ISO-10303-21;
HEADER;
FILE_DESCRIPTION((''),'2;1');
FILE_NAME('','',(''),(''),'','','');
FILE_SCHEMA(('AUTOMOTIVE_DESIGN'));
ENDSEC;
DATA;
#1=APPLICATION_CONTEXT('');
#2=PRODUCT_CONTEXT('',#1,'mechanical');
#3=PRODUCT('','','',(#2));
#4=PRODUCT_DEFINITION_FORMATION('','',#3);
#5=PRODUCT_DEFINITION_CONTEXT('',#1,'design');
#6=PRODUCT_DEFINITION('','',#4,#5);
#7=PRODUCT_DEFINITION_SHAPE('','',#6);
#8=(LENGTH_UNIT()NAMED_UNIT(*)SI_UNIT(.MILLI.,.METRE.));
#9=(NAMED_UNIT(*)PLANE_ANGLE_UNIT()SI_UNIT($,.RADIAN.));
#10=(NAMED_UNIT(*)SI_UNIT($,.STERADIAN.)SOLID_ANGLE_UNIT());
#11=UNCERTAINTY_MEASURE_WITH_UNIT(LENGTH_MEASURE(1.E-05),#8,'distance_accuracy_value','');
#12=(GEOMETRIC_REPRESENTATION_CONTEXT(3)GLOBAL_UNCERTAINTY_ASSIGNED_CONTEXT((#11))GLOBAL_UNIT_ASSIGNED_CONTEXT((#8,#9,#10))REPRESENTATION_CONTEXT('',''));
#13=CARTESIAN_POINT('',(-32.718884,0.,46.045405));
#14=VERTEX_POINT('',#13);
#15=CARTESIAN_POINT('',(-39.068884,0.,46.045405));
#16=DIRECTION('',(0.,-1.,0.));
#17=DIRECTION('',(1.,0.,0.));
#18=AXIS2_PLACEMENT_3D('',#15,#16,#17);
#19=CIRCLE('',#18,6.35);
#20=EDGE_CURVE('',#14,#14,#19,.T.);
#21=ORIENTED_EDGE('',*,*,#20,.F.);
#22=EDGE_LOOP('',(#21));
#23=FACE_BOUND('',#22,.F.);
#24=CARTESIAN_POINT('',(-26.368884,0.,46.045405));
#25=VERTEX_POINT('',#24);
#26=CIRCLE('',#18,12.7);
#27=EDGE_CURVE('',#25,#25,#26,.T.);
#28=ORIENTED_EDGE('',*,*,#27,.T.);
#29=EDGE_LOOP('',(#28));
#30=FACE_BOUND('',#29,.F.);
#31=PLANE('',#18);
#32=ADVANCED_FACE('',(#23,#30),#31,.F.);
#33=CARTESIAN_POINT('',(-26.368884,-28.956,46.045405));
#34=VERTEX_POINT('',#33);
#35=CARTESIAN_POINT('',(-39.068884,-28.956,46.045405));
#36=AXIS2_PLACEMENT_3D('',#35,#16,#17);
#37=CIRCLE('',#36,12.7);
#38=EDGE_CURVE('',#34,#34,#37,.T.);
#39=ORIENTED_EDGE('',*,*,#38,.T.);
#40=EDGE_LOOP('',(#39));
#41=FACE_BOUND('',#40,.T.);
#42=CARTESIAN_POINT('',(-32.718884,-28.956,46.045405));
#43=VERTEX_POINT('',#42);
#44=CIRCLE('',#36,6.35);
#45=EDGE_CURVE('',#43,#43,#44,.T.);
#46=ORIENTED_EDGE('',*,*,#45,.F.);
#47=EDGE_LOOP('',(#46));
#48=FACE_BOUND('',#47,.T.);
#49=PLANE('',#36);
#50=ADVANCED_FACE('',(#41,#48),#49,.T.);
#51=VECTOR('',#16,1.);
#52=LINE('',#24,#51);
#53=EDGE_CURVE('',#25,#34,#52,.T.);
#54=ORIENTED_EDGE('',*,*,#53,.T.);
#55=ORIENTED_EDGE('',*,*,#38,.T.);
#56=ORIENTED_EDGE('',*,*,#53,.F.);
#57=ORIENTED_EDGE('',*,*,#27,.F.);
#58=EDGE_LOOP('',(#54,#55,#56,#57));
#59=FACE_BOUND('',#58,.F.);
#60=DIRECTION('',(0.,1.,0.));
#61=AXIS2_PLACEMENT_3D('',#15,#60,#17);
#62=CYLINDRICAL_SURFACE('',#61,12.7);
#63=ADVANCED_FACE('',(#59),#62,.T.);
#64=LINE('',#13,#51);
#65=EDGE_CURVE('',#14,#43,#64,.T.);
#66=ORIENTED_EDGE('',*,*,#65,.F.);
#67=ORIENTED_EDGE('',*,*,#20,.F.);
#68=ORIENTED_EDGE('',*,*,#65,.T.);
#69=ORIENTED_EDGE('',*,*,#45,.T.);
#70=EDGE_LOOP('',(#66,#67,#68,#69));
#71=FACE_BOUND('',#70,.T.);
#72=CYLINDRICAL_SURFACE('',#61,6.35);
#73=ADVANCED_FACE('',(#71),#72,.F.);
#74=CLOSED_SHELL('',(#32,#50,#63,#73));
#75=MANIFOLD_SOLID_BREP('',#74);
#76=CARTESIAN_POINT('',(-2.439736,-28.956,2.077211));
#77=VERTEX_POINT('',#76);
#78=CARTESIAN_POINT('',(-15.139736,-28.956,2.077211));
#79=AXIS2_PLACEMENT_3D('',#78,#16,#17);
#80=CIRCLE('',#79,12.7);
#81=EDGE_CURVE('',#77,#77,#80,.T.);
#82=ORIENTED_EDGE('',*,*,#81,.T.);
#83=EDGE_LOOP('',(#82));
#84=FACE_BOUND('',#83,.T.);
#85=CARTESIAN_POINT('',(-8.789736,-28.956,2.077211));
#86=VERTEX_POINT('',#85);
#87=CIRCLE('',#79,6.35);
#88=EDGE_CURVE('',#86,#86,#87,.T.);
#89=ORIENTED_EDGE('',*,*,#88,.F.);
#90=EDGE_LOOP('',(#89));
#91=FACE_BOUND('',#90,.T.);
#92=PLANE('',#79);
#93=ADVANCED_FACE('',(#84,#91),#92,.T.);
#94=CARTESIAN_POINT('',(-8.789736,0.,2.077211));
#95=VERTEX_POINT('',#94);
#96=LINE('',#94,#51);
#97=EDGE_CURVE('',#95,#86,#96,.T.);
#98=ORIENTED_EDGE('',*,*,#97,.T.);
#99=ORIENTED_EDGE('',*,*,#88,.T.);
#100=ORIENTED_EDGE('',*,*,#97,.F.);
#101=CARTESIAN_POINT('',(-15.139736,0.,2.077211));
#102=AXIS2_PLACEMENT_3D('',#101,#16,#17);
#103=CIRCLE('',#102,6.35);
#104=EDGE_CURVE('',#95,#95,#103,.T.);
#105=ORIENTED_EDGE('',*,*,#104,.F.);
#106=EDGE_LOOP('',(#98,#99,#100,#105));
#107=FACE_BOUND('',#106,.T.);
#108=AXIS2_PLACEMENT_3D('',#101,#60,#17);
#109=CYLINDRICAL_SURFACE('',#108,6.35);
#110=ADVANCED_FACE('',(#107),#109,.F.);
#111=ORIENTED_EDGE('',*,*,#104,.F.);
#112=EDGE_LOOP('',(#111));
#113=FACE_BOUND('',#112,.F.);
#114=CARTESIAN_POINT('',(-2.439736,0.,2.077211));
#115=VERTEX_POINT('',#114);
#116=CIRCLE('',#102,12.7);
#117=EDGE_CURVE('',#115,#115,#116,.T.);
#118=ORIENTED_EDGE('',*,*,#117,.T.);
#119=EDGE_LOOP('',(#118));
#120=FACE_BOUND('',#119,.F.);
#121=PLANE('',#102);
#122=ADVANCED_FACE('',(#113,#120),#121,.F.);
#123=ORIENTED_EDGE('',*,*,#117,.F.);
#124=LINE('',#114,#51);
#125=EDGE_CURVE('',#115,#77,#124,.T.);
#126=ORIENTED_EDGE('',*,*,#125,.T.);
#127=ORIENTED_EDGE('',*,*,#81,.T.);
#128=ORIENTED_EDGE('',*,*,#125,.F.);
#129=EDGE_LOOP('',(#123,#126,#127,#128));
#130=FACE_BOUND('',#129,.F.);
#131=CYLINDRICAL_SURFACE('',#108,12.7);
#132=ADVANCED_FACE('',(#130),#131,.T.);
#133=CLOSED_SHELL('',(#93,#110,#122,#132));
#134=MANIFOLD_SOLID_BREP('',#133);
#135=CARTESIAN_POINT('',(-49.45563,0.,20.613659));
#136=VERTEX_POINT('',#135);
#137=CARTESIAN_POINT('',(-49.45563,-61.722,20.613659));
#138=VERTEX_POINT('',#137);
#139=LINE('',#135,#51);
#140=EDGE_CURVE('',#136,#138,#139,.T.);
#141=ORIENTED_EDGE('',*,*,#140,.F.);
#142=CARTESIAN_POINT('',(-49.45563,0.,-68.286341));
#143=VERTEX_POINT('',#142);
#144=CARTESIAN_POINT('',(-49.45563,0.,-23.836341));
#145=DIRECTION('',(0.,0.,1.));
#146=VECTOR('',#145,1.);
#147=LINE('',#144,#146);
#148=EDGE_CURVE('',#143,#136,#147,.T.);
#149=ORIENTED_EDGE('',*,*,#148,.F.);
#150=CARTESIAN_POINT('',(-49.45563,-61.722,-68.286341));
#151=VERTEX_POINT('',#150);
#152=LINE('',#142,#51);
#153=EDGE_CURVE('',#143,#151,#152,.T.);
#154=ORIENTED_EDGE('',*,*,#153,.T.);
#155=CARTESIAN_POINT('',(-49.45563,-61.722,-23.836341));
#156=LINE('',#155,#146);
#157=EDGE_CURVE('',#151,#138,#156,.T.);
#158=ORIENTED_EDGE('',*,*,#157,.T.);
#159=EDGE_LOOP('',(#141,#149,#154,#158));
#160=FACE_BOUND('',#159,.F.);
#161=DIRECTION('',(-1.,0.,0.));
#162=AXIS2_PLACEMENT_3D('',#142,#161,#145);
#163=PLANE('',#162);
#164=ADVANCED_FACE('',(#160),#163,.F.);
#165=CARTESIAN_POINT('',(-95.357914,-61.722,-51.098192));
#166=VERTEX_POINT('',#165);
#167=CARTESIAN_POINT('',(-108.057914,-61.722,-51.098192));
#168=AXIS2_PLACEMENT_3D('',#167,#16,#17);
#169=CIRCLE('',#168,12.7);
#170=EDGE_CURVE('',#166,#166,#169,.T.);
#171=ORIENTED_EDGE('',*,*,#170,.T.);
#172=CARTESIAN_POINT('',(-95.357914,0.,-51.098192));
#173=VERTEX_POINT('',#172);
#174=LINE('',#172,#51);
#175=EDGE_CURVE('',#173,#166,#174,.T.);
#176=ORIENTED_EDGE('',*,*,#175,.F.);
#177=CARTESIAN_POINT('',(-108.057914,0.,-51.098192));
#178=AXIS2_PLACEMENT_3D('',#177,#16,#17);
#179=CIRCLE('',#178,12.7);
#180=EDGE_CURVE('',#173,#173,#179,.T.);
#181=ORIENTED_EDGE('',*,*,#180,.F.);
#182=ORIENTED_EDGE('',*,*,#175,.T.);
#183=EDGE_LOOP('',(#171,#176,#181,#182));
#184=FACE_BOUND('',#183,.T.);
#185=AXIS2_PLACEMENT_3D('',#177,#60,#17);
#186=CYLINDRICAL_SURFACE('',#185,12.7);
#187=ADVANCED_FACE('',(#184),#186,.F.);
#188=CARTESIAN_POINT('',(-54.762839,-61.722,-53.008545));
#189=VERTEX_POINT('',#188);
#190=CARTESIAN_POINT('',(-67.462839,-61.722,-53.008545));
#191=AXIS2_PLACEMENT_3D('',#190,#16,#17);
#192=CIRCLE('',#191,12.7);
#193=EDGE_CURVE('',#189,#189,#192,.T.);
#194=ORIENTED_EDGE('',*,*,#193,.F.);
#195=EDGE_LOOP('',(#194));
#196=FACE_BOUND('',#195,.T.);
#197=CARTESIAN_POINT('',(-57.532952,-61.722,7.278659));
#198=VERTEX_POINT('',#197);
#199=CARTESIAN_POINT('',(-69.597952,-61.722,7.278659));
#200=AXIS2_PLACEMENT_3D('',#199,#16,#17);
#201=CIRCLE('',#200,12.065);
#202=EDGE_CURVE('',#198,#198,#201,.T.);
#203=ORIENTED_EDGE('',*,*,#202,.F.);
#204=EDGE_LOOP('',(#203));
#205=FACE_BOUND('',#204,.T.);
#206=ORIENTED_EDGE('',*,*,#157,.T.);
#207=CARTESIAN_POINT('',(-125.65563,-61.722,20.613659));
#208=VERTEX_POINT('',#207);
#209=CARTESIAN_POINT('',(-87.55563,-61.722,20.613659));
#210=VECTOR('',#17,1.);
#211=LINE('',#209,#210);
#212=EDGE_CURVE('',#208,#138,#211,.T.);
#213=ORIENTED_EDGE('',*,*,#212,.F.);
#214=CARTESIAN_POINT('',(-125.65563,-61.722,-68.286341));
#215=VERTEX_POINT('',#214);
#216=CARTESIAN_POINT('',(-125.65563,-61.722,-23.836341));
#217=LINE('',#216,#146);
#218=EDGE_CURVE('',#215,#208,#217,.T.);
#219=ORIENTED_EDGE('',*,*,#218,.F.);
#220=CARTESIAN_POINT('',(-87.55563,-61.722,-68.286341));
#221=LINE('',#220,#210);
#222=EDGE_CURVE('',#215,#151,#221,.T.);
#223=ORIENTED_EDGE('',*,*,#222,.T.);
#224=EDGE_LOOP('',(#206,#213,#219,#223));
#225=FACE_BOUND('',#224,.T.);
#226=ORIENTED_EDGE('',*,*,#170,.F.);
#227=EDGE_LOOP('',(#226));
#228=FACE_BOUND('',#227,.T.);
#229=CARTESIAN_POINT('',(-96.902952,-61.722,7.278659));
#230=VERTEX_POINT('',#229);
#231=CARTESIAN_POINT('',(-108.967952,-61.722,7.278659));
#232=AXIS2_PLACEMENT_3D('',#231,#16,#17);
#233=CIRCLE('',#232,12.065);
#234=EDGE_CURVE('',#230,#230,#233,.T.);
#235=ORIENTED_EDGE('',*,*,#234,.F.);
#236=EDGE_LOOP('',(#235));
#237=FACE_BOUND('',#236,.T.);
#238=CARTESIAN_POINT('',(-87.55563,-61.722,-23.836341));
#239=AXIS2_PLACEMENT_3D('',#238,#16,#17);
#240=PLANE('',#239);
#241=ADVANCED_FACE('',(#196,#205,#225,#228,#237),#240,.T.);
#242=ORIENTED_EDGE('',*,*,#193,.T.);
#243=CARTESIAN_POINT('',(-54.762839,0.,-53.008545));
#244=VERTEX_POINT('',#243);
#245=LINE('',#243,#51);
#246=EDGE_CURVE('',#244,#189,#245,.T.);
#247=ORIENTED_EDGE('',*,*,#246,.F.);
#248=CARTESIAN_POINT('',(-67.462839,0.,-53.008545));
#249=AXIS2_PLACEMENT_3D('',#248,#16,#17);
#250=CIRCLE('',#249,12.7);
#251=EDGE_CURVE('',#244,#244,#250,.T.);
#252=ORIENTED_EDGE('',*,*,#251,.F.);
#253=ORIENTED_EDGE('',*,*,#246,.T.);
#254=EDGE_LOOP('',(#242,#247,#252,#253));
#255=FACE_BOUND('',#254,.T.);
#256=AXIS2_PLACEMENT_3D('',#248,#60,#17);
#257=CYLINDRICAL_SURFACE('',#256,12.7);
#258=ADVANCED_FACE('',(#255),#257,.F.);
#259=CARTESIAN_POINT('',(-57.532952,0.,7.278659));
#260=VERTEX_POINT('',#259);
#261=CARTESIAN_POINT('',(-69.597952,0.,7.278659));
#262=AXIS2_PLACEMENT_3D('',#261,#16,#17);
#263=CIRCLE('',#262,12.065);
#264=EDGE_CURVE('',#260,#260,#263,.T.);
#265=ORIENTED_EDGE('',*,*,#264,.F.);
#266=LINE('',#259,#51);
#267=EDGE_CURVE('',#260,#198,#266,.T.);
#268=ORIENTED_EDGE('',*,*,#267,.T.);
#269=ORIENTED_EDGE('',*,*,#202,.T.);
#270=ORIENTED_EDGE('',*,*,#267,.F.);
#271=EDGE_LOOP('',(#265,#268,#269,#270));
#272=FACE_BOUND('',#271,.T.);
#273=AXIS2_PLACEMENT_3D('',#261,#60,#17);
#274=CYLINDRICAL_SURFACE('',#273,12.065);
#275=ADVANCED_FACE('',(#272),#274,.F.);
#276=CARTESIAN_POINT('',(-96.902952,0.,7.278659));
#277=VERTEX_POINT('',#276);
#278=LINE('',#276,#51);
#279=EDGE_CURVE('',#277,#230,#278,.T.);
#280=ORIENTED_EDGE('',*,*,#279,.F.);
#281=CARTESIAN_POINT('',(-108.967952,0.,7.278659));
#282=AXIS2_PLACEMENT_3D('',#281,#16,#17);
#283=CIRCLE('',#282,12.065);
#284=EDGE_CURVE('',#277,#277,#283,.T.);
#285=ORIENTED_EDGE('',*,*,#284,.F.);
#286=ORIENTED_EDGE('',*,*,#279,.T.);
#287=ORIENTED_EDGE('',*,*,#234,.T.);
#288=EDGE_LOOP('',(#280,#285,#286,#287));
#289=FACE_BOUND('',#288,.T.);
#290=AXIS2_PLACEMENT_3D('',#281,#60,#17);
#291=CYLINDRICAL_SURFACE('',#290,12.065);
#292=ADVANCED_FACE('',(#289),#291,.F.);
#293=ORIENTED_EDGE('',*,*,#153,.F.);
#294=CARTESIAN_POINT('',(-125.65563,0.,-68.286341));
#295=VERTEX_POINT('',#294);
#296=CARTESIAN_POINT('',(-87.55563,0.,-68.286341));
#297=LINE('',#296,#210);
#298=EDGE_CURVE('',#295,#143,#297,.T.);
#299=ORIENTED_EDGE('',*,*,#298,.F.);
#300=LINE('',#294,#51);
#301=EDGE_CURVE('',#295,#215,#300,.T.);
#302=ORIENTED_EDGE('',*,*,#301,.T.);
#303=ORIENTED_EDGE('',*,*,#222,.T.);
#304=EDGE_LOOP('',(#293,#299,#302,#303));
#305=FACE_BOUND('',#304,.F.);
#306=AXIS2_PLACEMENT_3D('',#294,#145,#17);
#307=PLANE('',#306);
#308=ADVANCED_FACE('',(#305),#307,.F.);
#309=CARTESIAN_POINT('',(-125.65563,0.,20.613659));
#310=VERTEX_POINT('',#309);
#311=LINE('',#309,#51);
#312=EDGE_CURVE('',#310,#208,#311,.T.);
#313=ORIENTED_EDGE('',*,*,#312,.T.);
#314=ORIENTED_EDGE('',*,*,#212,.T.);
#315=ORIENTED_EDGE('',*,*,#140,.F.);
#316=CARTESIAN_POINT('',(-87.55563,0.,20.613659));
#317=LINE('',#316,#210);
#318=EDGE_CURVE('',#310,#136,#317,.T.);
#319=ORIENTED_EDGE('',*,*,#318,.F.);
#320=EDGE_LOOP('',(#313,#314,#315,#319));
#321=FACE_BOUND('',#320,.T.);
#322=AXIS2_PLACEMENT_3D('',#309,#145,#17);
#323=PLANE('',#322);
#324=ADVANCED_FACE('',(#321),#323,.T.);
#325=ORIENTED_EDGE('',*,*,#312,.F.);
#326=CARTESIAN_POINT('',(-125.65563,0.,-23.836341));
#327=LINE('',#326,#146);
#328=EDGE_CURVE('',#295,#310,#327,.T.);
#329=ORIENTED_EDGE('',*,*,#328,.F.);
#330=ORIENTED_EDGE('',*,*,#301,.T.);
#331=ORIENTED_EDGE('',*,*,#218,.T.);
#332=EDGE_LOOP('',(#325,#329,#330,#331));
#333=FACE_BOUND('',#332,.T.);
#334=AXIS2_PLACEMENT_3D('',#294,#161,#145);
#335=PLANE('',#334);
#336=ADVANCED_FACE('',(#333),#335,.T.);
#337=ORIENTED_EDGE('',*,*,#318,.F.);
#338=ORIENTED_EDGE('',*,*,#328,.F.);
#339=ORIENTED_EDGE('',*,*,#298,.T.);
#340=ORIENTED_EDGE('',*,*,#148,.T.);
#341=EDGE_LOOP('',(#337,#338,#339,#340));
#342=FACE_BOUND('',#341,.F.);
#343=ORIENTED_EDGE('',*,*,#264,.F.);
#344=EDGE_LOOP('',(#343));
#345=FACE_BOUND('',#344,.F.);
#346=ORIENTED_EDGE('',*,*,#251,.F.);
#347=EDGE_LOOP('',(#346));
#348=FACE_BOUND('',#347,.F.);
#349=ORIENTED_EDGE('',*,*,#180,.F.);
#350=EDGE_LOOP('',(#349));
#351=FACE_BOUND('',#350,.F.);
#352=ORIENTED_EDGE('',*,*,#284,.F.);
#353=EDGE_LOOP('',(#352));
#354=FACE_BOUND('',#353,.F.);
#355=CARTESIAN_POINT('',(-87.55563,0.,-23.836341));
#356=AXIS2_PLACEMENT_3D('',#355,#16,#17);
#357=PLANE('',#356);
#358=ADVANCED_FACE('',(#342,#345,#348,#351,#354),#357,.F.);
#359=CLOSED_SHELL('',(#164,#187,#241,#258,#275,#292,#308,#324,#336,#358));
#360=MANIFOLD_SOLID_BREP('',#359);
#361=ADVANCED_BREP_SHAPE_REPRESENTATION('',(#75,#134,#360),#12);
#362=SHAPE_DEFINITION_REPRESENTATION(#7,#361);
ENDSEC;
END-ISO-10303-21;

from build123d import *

# Parameters (mm, degrees)
F0_W     = 76.2
F0_H     = 88.9
F0_R     = 12.7
F0_R_2   = 12.065
F1_DEPTH = 61.722
F2_R     = 12.7
F2_R_2   = 6.35
F3_DEPTH = 28.956


with BuildPart() as f1:
    # F0 (on Front) → F1 (new body)
    with BuildSketch(Plane.XZ):
        with Locations((-87.55563, -23.836341)):
            Rectangle(F0_W, F0_H)
        with Locations((-108.057914, -51.098192)):
            Circle(F0_R, mode=Mode.SUBTRACT)
        with Locations((-67.462839, -53.008545)):
            Circle(F0_R, mode=Mode.SUBTRACT)
        with Locations((-108.967952, 7.278659)):
            Circle(F0_R_2, mode=Mode.SUBTRACT)
        with Locations((-69.597952, 7.278659)):
            Circle(F0_R_2, mode=Mode.SUBTRACT)
    extrude(amount=F1_DEPTH)


with BuildPart() as f3:
    # F2 (on Front) → F3 (new body)
    with BuildSketch(Plane.XZ):
        with Locations((-39.068884, 46.045405)):
            Circle(F2_R)
        with Locations((-39.068884, 46.045405)):
            Circle(F2_R_2, mode=Mode.SUBTRACT)
        with Locations((-15.139736, 2.077211)):
            Circle(F2_R)
        with Locations((-15.139736, 2.077211)):
            Circle(F2_R_2, mode=Mode.SUBTRACT)
    extrude(amount=F3_DEPTH)


solid = Compound([f1.part, f3.part])
